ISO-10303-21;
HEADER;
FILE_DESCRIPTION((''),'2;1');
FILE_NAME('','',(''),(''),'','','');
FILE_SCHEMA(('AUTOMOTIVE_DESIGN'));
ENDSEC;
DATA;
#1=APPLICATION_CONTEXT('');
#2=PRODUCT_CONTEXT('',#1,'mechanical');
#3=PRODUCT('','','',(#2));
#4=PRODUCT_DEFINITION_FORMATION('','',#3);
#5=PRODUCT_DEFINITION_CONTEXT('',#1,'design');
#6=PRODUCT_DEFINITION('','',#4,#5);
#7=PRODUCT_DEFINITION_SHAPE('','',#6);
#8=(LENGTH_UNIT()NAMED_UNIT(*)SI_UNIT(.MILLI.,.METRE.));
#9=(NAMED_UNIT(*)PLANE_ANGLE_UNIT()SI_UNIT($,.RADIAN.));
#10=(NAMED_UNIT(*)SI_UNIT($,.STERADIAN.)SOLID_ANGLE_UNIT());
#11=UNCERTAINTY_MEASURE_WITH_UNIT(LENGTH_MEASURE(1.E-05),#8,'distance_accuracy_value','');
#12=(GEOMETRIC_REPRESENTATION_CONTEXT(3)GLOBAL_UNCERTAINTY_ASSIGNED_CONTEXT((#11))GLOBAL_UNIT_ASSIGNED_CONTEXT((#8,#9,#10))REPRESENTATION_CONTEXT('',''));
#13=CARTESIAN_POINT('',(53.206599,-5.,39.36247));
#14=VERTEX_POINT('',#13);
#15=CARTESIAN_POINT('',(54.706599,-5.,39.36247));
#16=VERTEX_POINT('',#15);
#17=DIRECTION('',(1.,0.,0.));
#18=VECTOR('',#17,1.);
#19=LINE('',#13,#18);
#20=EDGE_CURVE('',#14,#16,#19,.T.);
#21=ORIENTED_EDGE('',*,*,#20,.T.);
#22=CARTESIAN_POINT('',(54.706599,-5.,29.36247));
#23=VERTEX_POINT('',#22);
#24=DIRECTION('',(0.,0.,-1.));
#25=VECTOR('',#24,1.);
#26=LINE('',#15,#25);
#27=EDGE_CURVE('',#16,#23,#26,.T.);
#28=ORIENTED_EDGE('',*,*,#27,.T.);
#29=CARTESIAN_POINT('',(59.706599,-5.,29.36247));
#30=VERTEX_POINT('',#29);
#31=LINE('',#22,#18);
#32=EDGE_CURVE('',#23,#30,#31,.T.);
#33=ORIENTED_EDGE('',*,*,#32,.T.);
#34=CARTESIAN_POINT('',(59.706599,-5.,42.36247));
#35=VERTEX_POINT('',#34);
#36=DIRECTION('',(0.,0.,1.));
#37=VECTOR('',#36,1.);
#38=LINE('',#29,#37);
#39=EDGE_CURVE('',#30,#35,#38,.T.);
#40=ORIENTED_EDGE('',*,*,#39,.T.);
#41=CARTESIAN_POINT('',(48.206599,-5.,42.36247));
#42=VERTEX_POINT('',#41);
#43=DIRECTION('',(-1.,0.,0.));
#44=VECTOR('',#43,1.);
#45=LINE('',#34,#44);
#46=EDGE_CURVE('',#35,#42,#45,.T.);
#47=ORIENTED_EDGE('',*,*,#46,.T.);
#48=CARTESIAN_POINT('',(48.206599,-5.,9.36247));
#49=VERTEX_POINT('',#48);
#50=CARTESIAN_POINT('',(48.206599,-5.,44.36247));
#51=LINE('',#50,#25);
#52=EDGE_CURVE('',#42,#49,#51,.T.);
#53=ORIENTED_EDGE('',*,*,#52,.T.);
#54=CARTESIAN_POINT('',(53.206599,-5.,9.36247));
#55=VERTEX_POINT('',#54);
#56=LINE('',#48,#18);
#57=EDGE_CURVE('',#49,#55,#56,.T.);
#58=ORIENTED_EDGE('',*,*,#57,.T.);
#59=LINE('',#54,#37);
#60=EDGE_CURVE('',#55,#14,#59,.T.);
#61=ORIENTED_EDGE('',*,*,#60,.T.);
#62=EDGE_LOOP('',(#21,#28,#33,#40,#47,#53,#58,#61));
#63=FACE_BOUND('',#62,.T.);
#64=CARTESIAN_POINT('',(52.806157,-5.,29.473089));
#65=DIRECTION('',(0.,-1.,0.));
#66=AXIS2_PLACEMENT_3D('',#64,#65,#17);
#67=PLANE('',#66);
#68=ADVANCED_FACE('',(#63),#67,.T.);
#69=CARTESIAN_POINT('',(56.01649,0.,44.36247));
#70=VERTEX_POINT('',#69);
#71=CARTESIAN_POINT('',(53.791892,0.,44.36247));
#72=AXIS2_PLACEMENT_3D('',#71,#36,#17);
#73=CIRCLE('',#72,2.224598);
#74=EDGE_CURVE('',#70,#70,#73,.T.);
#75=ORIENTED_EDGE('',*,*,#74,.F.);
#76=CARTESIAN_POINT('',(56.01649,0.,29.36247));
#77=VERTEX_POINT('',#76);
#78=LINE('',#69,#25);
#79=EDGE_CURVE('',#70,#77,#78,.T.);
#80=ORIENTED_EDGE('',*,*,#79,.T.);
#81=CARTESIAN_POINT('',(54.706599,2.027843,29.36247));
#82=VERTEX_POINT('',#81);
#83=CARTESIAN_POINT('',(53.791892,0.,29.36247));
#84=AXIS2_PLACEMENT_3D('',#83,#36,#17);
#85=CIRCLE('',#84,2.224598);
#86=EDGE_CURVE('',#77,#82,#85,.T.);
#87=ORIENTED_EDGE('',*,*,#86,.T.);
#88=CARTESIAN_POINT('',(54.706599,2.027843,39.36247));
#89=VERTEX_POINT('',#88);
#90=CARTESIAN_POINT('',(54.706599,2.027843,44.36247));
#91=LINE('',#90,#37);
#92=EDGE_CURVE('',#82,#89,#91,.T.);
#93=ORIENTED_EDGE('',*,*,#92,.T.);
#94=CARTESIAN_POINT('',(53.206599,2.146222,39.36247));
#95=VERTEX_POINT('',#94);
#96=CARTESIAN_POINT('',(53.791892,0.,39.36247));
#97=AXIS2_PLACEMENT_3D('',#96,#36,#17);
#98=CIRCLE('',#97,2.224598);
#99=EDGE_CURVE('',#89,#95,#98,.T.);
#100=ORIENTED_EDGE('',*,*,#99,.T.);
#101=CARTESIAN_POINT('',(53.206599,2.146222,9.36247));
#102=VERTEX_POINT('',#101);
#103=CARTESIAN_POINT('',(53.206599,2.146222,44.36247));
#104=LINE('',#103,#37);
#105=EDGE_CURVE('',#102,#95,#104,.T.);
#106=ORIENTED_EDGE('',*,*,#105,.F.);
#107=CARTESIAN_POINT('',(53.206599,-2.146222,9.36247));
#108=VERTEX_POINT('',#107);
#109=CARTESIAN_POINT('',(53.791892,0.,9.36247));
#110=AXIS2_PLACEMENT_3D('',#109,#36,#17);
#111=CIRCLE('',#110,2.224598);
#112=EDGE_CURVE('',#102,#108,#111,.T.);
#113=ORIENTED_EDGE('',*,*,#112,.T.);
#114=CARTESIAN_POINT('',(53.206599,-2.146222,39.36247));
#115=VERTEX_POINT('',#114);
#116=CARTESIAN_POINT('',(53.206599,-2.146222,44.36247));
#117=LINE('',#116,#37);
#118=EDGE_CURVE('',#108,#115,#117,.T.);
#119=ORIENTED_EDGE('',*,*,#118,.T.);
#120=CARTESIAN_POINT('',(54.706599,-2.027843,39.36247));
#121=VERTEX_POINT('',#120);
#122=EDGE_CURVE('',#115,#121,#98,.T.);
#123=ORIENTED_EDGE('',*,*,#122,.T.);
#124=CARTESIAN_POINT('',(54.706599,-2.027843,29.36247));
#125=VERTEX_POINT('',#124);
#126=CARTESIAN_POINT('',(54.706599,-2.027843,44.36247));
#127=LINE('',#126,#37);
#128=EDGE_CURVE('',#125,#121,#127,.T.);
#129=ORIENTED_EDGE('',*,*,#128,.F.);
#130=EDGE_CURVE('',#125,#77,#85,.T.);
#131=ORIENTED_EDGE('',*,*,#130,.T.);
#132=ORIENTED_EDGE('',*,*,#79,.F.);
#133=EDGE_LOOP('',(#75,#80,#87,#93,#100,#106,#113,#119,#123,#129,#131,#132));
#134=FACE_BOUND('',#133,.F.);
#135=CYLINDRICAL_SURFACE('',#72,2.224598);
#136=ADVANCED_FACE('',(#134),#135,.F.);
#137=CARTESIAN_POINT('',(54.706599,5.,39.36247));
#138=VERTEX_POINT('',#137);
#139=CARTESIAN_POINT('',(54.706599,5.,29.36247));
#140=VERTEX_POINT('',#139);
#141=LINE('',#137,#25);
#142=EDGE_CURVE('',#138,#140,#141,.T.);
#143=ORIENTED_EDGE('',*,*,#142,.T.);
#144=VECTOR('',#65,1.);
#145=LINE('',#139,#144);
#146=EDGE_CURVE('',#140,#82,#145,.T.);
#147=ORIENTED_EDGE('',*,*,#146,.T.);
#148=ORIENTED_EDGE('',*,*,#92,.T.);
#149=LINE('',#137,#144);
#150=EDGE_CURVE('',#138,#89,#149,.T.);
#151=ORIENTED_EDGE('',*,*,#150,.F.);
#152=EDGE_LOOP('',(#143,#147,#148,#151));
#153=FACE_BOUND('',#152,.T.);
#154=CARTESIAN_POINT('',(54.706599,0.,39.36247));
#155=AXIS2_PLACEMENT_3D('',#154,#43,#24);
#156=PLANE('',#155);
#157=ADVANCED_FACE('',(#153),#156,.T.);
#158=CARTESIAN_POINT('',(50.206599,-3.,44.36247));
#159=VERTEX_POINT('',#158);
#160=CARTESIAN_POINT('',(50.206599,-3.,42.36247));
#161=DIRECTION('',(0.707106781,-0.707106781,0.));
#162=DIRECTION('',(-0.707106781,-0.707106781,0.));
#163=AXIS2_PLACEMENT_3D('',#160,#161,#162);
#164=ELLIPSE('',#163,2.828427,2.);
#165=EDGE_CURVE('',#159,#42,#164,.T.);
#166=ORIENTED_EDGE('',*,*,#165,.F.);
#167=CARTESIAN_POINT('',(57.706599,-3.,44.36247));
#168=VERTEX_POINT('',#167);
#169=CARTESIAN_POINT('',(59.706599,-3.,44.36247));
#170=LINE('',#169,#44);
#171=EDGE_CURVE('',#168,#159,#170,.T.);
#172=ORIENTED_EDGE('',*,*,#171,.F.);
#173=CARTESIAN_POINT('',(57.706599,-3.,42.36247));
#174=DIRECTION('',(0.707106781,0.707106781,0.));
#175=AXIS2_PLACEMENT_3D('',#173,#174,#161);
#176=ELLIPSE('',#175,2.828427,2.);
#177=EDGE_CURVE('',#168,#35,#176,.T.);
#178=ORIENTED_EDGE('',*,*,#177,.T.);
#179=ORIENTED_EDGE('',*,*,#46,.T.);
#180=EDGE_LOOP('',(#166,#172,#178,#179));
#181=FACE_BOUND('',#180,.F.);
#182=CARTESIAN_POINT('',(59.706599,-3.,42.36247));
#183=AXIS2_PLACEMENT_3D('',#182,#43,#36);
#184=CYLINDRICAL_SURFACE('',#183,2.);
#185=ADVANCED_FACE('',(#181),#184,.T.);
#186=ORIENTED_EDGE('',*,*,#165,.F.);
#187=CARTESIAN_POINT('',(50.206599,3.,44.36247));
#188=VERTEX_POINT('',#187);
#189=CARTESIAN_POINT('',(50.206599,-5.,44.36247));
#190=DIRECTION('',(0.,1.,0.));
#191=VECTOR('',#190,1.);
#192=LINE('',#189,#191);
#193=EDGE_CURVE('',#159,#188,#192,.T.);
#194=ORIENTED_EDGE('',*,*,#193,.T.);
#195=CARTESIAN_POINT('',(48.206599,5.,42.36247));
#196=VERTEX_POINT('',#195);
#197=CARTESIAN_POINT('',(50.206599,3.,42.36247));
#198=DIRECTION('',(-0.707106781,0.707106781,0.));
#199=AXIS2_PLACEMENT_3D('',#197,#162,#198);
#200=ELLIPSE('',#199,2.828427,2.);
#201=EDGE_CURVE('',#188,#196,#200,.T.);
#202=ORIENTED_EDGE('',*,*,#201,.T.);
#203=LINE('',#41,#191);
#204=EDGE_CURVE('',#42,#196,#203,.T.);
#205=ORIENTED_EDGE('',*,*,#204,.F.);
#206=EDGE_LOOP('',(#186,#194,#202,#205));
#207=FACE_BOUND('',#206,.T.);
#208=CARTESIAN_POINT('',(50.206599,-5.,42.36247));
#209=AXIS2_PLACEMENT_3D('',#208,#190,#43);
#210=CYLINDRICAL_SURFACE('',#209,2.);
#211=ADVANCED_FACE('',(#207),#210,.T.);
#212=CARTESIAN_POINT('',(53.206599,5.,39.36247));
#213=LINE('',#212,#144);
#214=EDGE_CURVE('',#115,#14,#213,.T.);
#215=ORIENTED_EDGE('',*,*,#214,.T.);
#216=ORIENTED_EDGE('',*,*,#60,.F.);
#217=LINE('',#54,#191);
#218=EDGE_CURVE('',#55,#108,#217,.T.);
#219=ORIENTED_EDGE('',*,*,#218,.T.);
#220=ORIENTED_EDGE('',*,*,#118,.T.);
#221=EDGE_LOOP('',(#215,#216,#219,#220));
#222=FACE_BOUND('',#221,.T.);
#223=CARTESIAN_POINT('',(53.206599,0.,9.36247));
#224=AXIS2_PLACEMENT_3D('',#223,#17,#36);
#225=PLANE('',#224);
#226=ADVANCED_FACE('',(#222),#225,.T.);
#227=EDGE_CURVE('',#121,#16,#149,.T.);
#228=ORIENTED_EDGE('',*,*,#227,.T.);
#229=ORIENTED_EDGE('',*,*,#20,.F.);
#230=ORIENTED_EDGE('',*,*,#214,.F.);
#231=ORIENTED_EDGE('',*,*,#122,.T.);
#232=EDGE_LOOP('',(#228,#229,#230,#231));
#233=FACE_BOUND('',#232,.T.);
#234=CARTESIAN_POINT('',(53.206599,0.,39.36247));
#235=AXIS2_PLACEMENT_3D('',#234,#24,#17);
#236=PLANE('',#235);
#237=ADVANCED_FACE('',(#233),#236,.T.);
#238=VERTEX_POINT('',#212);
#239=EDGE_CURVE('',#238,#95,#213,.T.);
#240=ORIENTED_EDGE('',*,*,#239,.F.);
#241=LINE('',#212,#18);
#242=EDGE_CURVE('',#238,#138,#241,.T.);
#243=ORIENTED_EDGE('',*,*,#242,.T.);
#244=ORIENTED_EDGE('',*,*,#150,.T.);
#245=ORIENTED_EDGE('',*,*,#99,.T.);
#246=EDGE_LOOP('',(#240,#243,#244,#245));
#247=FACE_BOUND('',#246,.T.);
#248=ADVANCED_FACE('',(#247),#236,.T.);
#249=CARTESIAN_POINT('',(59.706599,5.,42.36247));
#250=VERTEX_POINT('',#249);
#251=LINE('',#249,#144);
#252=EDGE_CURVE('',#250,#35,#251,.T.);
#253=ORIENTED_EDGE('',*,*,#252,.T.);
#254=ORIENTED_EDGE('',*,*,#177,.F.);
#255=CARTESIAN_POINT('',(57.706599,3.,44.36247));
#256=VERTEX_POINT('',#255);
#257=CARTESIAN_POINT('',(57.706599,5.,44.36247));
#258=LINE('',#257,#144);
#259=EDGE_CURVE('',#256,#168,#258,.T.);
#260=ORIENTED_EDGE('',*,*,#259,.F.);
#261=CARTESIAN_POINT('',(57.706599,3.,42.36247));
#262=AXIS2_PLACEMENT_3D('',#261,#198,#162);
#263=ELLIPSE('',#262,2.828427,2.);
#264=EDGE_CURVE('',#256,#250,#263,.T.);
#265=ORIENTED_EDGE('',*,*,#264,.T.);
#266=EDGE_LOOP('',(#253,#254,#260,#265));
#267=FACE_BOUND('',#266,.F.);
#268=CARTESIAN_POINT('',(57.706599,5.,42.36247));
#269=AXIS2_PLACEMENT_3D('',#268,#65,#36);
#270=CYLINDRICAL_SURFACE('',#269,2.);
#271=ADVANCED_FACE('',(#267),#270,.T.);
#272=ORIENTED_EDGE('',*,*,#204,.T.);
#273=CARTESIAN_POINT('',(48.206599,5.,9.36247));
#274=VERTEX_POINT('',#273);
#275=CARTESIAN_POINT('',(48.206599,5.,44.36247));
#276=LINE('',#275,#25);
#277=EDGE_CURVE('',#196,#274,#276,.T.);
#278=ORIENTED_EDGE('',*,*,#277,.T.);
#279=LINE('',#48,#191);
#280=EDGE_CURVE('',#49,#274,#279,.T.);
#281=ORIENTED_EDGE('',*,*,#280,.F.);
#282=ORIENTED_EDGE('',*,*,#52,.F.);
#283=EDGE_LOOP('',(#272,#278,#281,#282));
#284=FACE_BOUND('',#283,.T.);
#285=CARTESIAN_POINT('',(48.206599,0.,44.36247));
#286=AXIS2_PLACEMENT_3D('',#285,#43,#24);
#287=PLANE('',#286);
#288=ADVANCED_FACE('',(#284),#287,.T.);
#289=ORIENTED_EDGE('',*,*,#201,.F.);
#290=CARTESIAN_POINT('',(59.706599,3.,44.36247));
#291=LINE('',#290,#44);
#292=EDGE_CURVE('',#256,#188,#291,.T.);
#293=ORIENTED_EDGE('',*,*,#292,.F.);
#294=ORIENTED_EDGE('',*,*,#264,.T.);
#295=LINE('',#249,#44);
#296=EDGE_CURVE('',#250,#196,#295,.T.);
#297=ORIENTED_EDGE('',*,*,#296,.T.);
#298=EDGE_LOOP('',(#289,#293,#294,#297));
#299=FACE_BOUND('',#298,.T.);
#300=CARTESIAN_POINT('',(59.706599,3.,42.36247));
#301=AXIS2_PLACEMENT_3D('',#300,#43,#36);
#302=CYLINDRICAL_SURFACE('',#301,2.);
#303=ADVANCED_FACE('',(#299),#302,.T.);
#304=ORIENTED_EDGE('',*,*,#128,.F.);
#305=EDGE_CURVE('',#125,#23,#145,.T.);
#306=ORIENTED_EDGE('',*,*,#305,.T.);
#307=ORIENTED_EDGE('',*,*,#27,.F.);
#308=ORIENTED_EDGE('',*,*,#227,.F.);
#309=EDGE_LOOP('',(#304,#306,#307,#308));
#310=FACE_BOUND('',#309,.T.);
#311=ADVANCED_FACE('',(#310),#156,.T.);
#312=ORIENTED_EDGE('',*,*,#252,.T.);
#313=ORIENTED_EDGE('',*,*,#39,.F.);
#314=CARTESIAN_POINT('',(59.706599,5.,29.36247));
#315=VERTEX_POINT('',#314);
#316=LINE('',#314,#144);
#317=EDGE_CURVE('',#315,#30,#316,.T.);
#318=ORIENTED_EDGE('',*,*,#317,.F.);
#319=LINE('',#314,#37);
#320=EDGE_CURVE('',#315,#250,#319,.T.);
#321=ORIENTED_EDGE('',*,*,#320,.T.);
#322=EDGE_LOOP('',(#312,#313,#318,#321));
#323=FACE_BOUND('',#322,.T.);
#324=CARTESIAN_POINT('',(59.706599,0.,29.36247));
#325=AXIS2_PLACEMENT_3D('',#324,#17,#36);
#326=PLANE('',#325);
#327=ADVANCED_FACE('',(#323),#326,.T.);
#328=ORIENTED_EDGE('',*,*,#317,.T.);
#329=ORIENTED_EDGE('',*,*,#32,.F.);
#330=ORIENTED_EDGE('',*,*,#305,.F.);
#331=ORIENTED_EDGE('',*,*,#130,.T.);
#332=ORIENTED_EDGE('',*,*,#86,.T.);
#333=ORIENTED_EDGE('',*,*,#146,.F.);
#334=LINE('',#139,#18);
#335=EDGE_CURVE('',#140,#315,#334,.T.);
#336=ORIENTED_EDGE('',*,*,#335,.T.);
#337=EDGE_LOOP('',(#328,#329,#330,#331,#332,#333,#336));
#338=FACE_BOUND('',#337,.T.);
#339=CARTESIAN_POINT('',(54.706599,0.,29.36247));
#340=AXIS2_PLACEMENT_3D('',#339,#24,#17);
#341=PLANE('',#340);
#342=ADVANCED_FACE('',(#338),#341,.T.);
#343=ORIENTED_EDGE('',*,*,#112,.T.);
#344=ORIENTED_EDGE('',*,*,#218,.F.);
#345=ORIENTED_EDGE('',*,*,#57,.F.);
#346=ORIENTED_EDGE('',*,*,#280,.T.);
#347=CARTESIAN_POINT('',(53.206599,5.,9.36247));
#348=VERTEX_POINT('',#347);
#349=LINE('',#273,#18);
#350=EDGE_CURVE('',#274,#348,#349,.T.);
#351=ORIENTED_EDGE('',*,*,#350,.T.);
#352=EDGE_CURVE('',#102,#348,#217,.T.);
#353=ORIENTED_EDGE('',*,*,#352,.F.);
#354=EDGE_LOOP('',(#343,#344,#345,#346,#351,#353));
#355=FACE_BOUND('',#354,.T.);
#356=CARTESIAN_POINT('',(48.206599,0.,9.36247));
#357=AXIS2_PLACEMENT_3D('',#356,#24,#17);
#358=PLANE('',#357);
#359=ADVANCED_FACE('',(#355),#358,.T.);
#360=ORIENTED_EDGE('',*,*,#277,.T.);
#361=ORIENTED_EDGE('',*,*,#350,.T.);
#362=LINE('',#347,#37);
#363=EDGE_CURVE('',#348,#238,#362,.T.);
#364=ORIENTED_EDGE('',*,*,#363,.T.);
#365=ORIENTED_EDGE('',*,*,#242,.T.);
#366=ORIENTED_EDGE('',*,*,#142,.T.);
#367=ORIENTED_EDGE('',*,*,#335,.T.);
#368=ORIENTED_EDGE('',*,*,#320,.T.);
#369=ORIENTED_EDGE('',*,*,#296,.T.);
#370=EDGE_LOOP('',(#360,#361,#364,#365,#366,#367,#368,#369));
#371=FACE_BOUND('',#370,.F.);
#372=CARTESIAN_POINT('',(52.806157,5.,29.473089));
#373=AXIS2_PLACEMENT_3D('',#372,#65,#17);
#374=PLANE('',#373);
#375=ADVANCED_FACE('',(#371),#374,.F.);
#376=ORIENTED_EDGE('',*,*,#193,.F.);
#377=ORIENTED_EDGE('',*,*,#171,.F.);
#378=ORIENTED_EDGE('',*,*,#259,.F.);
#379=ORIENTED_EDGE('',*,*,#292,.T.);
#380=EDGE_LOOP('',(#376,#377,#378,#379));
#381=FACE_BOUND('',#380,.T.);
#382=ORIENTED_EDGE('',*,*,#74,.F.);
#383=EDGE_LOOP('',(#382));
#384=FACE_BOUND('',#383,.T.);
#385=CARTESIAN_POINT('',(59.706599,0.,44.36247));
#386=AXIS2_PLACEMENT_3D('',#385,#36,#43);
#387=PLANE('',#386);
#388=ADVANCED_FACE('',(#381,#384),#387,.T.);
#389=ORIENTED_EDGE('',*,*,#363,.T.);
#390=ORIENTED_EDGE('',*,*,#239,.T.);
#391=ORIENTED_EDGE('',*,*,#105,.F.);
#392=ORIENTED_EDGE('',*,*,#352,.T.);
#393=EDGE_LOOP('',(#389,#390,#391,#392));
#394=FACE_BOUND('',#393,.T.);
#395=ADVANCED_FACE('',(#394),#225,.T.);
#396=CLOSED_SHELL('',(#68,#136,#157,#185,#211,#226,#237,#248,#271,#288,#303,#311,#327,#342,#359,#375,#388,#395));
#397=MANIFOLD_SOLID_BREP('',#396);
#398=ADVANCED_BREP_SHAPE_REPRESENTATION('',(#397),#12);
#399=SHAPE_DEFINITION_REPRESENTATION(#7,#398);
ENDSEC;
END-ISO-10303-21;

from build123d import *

# Parameters (mm, degrees)
F1_DEPTH = 5
F2_R     = 2
F3_R     = 2.224598
F4_DEPTH = 35.001


with BuildPart() as f1:
    # F0 (on Front) → F1 (new body, symmetric)
    with BuildSketch(Plane.XZ):
        Polygon((53.206599, 9.36247), (53.206599, 39.36247), (54.706599, 39.36247), (54.706599, 29.36247), (59.706599, 29.36247), (59.706599, 44.36247), (48.206599, 44.36247), (48.206599, 9.36247), align=None)
    extrude(amount=F1_DEPTH, both=True)

    # F2
    f2_edges = [f1.edges().sort_by_distance(p)[0] for p in [
        (59.706599, 0, 44.36247),
        (53.956599, 5, 44.36247),
        (53.956599, -5, 44.36247),
        (48.206599, 0, 44.36247),
    ]]
    fillet(f2_edges, radius=F2_R)

    # F3 (on face) → F4 (cut, through all)
    with BuildSketch(Plane.XY.offset(44.36247)):
        with Locations((53.791892, 0)):
            Circle(F3_R)
    extrude(amount=-F4_DEPTH, mode=Mode.SUBTRACT)


solid = f1.part
